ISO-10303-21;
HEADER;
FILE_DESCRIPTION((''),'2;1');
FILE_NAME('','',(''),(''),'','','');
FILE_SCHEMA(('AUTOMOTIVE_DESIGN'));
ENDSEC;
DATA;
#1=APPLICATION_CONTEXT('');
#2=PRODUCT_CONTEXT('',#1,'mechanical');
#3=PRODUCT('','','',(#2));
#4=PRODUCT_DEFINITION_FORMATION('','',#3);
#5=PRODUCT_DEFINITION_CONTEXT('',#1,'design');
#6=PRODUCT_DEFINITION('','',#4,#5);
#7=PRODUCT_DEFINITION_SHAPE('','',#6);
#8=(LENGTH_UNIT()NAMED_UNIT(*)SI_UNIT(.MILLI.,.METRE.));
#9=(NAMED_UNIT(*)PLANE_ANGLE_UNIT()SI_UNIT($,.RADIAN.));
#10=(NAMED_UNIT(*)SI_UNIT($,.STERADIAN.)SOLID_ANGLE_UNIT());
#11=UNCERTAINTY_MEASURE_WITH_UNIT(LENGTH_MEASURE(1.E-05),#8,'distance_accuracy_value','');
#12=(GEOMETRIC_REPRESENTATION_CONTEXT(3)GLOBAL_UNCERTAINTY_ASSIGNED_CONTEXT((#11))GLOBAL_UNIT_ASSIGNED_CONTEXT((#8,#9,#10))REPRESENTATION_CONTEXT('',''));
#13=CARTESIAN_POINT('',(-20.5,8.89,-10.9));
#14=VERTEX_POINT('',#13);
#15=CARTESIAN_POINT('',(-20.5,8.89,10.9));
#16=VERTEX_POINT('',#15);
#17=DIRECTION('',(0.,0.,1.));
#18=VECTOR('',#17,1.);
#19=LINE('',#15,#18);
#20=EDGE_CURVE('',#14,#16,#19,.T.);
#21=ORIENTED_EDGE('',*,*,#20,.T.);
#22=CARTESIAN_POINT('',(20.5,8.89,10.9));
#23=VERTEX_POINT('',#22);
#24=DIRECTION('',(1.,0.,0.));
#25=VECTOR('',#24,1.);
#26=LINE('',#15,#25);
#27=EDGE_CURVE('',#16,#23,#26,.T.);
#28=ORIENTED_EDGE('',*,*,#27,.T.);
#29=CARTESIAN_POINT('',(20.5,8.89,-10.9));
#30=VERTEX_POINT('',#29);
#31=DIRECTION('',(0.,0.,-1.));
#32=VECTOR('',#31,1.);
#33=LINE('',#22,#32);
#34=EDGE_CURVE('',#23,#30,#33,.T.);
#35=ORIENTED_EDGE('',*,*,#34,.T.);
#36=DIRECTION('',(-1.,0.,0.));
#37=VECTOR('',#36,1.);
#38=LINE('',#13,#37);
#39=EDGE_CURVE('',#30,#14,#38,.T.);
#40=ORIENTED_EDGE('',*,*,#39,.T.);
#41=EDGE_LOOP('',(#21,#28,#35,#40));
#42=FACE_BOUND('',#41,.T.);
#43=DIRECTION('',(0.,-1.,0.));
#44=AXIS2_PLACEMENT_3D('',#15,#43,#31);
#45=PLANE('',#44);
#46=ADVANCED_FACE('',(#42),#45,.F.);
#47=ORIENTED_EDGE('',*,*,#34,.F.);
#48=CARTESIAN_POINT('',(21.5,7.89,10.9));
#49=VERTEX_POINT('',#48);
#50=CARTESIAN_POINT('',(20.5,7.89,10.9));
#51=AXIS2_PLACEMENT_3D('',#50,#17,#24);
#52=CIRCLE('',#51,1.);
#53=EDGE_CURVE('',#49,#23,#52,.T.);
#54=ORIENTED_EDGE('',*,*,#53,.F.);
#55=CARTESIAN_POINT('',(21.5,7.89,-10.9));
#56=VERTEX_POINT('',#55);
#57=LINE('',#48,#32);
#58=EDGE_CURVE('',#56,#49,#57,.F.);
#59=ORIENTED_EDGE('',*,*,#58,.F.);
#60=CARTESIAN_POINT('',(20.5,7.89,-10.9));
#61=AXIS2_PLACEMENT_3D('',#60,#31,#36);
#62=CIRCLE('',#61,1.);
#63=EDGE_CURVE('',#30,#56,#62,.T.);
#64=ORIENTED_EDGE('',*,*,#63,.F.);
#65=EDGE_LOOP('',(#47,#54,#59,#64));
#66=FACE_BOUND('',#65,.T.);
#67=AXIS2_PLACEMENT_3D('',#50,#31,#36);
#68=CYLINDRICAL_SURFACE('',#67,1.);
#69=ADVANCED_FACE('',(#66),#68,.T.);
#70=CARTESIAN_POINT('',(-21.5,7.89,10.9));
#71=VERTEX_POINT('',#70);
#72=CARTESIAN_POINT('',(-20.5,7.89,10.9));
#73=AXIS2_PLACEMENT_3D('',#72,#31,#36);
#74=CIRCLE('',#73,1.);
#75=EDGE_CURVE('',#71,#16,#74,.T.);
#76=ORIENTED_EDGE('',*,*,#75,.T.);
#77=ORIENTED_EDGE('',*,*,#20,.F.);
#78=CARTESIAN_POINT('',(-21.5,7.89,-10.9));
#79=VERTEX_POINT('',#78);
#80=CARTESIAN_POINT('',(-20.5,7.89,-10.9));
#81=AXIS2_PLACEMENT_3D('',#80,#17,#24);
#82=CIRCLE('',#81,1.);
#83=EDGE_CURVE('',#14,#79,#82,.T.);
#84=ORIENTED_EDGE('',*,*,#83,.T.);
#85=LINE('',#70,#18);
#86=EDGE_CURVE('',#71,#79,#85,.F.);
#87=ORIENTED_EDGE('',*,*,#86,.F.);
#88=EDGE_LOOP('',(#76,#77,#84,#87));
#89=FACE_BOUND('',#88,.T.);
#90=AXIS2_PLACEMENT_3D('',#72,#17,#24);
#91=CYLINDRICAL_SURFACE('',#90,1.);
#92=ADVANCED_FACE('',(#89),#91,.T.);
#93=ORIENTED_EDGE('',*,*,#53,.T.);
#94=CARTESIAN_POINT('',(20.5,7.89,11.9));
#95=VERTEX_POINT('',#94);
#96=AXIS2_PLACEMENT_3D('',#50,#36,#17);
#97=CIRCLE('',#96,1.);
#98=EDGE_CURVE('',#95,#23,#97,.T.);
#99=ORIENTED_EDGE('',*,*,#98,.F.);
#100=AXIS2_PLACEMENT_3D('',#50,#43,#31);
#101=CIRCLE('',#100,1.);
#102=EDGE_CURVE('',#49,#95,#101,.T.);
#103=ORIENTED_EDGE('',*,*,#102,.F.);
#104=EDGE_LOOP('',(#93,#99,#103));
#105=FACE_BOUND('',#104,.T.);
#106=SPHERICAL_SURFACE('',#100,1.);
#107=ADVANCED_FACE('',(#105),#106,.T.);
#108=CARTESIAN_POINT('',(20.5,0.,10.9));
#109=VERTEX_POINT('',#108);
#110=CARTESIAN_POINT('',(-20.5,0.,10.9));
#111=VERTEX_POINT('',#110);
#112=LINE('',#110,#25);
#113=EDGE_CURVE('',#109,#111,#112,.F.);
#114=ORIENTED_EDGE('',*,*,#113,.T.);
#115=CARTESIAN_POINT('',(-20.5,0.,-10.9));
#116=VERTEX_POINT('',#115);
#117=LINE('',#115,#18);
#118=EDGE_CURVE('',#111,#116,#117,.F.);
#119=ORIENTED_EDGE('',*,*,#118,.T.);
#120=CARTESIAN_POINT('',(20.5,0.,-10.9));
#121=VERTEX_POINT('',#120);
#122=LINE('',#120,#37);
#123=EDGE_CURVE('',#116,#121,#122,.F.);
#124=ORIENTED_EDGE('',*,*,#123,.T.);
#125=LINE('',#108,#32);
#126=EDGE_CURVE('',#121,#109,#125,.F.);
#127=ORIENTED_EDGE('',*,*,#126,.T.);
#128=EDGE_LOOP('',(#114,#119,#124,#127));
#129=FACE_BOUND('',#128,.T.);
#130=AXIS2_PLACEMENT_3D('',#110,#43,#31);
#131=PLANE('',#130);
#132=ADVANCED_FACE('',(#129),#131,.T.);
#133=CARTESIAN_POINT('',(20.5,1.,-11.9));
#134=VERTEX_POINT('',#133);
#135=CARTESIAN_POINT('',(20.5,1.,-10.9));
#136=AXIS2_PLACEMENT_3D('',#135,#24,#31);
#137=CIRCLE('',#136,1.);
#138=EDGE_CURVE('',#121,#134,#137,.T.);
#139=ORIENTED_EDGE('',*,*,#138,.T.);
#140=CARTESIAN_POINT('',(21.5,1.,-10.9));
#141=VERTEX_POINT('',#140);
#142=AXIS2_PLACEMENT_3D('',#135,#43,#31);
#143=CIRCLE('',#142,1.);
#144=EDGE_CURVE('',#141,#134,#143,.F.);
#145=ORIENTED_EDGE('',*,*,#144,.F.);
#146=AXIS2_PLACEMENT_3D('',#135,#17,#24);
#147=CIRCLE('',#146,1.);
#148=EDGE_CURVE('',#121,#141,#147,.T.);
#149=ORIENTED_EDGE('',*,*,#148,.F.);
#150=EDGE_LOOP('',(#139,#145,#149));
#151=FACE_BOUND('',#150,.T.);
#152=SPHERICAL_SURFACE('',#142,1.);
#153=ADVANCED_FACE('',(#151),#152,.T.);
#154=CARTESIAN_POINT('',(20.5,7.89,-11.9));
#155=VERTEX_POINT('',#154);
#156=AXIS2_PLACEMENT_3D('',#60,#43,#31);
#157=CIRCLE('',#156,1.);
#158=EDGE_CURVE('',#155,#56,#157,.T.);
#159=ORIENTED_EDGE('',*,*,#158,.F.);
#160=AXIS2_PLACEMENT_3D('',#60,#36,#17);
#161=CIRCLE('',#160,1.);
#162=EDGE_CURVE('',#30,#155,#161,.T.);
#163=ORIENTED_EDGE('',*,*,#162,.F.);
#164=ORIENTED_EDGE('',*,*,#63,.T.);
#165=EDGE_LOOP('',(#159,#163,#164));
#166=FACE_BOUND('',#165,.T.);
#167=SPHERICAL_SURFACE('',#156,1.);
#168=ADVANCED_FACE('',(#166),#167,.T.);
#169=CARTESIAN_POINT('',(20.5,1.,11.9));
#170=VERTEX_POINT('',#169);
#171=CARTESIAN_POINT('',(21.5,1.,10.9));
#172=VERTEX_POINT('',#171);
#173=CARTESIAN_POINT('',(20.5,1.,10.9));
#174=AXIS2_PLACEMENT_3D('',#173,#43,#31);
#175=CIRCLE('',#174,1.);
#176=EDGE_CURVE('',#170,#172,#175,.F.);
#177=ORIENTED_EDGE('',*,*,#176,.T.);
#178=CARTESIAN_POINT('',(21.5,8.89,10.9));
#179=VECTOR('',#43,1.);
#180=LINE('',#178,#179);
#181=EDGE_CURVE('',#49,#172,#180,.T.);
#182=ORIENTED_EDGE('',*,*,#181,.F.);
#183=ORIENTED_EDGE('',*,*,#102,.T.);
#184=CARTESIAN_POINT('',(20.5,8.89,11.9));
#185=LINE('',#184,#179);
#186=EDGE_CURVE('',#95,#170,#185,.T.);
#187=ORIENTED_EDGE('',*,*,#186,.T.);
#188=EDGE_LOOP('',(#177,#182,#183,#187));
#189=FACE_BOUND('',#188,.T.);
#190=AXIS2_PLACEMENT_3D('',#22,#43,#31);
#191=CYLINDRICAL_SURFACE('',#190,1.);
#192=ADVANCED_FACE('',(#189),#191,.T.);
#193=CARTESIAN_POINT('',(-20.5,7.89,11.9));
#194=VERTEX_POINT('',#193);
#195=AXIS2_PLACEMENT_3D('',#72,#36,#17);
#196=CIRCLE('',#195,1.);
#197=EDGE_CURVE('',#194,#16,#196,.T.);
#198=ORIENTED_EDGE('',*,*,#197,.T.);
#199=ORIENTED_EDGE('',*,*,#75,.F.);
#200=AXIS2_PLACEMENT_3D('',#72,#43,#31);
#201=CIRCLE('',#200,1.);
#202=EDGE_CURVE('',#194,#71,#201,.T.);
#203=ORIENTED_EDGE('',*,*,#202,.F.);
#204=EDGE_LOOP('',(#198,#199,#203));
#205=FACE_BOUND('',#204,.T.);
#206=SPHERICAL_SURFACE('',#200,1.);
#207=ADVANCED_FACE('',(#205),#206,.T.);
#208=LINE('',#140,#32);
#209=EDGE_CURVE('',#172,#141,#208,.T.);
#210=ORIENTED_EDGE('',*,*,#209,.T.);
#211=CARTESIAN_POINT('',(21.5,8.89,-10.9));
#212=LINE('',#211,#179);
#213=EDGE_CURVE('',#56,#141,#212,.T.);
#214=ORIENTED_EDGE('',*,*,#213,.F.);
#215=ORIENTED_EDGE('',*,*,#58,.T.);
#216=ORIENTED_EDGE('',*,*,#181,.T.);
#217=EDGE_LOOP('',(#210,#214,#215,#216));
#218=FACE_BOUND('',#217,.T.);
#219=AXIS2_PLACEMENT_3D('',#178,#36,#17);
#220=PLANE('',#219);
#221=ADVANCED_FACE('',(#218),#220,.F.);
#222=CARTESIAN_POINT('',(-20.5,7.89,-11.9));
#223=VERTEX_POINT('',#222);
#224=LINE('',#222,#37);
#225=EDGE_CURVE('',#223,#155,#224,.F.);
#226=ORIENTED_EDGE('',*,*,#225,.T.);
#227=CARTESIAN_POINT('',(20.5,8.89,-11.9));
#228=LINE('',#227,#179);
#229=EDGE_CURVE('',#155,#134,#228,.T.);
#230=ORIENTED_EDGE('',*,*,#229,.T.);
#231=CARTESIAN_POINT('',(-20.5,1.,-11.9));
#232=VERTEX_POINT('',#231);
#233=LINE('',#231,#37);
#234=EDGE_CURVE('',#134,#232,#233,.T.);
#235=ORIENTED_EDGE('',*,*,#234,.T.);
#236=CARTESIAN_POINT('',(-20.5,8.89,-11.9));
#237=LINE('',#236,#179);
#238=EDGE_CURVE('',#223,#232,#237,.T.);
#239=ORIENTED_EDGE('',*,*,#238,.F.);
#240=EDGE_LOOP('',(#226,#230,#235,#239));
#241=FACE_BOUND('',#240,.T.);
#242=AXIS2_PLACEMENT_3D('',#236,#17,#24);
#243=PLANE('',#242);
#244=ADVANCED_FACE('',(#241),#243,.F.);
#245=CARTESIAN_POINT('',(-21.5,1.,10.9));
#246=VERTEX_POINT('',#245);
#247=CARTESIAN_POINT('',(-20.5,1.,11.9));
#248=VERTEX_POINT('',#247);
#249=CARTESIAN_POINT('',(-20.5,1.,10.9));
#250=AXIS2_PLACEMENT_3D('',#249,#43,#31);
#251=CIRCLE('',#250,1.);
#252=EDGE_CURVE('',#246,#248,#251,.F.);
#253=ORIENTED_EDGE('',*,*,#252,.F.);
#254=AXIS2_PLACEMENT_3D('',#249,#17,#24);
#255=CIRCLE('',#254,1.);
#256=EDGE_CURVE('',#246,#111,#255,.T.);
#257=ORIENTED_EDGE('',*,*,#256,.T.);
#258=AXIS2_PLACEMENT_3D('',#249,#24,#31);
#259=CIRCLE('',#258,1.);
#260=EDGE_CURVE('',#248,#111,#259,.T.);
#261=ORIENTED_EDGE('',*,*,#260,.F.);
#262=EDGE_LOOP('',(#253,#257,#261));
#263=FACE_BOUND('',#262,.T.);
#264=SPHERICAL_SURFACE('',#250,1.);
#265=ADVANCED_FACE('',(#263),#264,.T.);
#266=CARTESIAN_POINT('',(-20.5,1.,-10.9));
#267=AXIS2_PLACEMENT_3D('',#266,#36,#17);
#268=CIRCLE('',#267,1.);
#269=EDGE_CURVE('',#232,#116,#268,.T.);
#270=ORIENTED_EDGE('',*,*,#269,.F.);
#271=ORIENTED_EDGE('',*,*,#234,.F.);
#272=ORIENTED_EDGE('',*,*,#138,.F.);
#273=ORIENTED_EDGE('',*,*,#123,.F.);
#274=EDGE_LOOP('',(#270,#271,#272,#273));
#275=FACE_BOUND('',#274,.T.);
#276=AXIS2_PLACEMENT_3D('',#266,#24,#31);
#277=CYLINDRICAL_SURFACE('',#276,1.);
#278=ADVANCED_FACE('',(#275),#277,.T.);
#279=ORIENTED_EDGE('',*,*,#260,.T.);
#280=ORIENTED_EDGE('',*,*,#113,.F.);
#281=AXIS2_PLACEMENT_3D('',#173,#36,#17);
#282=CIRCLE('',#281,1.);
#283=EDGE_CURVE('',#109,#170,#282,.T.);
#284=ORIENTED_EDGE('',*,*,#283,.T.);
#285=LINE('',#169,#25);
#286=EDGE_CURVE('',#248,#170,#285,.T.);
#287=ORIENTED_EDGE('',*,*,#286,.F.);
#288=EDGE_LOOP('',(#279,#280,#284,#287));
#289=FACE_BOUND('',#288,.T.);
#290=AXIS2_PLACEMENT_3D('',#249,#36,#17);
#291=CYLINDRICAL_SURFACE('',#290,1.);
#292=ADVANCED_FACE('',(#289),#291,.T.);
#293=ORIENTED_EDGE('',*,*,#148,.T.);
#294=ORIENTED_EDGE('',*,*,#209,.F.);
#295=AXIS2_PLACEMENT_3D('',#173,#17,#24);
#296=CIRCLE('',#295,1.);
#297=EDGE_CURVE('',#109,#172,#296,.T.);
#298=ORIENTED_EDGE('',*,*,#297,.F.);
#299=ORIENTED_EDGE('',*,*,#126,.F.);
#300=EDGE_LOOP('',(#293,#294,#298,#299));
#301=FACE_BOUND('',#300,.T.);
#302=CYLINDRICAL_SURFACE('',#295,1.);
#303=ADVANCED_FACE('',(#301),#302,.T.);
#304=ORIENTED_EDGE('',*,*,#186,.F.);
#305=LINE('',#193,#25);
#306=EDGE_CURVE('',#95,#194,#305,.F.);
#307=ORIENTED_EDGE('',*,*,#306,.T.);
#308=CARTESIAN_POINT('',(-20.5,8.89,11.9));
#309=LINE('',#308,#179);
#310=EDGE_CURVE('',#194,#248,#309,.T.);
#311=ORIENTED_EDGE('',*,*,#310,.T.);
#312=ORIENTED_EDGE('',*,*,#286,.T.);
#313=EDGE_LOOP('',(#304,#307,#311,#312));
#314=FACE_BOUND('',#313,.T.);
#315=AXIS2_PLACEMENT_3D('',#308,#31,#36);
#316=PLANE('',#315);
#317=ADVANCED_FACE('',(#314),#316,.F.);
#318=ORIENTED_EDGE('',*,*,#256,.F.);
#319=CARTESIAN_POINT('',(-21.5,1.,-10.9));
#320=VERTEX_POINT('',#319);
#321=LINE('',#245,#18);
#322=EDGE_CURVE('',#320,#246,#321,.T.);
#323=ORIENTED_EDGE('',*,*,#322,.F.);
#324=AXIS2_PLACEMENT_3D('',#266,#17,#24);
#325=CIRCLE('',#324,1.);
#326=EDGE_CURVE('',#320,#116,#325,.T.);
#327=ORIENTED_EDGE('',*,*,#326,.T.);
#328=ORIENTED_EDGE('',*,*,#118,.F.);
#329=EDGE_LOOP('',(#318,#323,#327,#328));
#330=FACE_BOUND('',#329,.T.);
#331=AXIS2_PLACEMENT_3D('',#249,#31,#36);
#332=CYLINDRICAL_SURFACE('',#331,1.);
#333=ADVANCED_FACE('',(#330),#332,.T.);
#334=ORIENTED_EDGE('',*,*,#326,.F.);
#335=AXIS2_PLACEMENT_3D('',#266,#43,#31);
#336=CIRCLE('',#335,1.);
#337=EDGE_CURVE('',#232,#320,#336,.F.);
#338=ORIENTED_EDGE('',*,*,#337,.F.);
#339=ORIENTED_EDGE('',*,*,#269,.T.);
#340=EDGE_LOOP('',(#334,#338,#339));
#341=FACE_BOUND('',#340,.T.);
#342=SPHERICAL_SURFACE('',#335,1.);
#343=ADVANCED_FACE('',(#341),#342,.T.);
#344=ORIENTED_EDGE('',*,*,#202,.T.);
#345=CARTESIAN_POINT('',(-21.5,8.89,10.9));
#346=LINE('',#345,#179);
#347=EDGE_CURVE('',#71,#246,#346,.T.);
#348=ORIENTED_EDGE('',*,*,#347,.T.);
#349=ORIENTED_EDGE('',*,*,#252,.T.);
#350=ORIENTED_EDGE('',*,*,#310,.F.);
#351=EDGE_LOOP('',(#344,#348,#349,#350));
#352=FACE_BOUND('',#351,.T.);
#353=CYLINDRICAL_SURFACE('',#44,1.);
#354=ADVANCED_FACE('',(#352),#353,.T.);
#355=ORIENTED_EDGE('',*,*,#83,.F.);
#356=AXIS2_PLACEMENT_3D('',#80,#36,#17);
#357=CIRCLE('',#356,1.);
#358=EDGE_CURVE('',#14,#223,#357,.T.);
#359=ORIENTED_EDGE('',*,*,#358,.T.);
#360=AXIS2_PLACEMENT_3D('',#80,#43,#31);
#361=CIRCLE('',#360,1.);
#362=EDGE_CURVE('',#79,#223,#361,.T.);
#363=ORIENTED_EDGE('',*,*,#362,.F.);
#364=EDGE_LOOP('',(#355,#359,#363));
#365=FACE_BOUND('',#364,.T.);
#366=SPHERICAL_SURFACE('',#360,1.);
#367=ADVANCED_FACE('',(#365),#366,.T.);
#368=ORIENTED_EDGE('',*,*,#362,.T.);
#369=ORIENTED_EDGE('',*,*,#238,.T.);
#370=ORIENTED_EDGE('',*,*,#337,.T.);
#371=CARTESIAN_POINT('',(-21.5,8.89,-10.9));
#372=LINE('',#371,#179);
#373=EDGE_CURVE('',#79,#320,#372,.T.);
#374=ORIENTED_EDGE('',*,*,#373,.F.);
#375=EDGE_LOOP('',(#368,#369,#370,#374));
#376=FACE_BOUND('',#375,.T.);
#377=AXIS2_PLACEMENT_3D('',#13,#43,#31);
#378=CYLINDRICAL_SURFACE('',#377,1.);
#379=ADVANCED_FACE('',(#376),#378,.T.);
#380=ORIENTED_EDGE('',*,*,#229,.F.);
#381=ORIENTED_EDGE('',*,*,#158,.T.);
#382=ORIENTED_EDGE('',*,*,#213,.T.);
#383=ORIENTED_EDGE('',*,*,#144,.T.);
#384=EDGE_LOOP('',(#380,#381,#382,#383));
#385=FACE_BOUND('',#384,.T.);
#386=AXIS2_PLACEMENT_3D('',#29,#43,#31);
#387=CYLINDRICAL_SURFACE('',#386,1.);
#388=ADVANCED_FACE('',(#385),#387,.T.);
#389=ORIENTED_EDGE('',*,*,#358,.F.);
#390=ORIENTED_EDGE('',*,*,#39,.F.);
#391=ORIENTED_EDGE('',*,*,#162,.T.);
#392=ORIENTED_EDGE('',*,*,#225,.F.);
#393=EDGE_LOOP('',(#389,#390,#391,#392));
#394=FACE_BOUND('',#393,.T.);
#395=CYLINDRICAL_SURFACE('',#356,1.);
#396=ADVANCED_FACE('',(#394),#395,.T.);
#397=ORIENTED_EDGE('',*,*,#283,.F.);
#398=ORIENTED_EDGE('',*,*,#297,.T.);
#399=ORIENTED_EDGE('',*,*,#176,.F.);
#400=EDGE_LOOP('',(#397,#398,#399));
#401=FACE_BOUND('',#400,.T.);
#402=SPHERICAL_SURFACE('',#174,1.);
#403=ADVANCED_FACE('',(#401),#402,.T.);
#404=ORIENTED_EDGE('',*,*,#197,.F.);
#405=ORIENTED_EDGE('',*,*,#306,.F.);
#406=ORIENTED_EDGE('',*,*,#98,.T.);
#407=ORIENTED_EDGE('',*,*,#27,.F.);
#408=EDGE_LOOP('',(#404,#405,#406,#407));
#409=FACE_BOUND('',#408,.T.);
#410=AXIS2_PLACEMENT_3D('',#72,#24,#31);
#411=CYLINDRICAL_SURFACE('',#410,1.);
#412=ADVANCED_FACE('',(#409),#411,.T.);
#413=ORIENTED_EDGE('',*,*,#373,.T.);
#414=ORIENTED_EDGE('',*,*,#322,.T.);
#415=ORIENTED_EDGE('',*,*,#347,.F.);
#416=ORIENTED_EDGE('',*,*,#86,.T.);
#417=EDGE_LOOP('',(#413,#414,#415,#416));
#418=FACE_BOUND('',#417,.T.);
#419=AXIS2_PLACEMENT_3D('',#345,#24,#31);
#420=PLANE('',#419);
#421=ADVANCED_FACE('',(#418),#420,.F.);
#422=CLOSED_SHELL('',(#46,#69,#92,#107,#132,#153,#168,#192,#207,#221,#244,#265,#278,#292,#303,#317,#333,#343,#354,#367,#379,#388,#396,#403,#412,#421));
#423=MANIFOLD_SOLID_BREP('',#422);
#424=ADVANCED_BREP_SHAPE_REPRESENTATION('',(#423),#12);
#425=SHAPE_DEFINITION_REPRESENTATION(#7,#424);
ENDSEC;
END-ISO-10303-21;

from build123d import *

# Parameters (mm, degrees)
BOSS_EXTRUDE1_DEPTH = 8.89
FILLET1_R           = 1


with BuildPart() as part:
    # Sketch1 → Boss-Extrude1 (new body)
    with BuildSketch(Plane(origin=(0, 0, 0), x_dir=(1, 0, 0), z_dir=(0, 1, 0))):
        with BuildLine():
            Line((-20.5, -11.9), (20.5, -11.9))
            ThreePointArc((20.5, -11.9), (21.207106781, -11.607106781), (21.5, -10.9))
            Line((21.5, -10.9), (21.5, 10.9))
            ThreePointArc((21.5, 10.9), (21.207106781, 11.607106781), (20.5, 11.9))
            Line((20.5, 11.9), (-20.5, 11.9))
            ThreePointArc((-20.5, 11.9), (-21.207106781, 11.607106781), (-21.5, 10.9))
            Line((-21.5, 10.9), (-21.5, -10.9))
            ThreePointArc((-21.5, -10.9), (-21.207106781, -11.607106781), (-20.5, -11.9))
        make_face()
    extrude(amount=BOSS_EXTRUDE1_DEPTH)

    # Fillet1
    fillet1_edges = [part.edges().sort_by_distance(p)[0] for p in [
        (21.207106781, 8.89, 11.607106781),
        (0, 0, 11.9),
        (-21.207106781, 0, 11.607106781),
        (21.5, 8.89, 0),
        (21.207106781, 8.89, -11.607106781),
        (0, 8.89, -11.9),
        (-21.207106781, 8.89, -11.607106781),
        (-21.5, 8.89, 0),
        (-21.207106781, 8.89, 11.607106781),
        (0, 8.89, 11.9),
        (-21.5, 0, 0),
        (-21.207106781, 0, -11.607106781),
        (0, 0, -11.9),
        (21.207106781, 0, -11.607106781),
        (21.5, 0, 0),
        (21.207106781, 0, 11.607106781),
    ]]
    fillet(fillet1_edges, radius=FILLET1_R)


solid = part.part
